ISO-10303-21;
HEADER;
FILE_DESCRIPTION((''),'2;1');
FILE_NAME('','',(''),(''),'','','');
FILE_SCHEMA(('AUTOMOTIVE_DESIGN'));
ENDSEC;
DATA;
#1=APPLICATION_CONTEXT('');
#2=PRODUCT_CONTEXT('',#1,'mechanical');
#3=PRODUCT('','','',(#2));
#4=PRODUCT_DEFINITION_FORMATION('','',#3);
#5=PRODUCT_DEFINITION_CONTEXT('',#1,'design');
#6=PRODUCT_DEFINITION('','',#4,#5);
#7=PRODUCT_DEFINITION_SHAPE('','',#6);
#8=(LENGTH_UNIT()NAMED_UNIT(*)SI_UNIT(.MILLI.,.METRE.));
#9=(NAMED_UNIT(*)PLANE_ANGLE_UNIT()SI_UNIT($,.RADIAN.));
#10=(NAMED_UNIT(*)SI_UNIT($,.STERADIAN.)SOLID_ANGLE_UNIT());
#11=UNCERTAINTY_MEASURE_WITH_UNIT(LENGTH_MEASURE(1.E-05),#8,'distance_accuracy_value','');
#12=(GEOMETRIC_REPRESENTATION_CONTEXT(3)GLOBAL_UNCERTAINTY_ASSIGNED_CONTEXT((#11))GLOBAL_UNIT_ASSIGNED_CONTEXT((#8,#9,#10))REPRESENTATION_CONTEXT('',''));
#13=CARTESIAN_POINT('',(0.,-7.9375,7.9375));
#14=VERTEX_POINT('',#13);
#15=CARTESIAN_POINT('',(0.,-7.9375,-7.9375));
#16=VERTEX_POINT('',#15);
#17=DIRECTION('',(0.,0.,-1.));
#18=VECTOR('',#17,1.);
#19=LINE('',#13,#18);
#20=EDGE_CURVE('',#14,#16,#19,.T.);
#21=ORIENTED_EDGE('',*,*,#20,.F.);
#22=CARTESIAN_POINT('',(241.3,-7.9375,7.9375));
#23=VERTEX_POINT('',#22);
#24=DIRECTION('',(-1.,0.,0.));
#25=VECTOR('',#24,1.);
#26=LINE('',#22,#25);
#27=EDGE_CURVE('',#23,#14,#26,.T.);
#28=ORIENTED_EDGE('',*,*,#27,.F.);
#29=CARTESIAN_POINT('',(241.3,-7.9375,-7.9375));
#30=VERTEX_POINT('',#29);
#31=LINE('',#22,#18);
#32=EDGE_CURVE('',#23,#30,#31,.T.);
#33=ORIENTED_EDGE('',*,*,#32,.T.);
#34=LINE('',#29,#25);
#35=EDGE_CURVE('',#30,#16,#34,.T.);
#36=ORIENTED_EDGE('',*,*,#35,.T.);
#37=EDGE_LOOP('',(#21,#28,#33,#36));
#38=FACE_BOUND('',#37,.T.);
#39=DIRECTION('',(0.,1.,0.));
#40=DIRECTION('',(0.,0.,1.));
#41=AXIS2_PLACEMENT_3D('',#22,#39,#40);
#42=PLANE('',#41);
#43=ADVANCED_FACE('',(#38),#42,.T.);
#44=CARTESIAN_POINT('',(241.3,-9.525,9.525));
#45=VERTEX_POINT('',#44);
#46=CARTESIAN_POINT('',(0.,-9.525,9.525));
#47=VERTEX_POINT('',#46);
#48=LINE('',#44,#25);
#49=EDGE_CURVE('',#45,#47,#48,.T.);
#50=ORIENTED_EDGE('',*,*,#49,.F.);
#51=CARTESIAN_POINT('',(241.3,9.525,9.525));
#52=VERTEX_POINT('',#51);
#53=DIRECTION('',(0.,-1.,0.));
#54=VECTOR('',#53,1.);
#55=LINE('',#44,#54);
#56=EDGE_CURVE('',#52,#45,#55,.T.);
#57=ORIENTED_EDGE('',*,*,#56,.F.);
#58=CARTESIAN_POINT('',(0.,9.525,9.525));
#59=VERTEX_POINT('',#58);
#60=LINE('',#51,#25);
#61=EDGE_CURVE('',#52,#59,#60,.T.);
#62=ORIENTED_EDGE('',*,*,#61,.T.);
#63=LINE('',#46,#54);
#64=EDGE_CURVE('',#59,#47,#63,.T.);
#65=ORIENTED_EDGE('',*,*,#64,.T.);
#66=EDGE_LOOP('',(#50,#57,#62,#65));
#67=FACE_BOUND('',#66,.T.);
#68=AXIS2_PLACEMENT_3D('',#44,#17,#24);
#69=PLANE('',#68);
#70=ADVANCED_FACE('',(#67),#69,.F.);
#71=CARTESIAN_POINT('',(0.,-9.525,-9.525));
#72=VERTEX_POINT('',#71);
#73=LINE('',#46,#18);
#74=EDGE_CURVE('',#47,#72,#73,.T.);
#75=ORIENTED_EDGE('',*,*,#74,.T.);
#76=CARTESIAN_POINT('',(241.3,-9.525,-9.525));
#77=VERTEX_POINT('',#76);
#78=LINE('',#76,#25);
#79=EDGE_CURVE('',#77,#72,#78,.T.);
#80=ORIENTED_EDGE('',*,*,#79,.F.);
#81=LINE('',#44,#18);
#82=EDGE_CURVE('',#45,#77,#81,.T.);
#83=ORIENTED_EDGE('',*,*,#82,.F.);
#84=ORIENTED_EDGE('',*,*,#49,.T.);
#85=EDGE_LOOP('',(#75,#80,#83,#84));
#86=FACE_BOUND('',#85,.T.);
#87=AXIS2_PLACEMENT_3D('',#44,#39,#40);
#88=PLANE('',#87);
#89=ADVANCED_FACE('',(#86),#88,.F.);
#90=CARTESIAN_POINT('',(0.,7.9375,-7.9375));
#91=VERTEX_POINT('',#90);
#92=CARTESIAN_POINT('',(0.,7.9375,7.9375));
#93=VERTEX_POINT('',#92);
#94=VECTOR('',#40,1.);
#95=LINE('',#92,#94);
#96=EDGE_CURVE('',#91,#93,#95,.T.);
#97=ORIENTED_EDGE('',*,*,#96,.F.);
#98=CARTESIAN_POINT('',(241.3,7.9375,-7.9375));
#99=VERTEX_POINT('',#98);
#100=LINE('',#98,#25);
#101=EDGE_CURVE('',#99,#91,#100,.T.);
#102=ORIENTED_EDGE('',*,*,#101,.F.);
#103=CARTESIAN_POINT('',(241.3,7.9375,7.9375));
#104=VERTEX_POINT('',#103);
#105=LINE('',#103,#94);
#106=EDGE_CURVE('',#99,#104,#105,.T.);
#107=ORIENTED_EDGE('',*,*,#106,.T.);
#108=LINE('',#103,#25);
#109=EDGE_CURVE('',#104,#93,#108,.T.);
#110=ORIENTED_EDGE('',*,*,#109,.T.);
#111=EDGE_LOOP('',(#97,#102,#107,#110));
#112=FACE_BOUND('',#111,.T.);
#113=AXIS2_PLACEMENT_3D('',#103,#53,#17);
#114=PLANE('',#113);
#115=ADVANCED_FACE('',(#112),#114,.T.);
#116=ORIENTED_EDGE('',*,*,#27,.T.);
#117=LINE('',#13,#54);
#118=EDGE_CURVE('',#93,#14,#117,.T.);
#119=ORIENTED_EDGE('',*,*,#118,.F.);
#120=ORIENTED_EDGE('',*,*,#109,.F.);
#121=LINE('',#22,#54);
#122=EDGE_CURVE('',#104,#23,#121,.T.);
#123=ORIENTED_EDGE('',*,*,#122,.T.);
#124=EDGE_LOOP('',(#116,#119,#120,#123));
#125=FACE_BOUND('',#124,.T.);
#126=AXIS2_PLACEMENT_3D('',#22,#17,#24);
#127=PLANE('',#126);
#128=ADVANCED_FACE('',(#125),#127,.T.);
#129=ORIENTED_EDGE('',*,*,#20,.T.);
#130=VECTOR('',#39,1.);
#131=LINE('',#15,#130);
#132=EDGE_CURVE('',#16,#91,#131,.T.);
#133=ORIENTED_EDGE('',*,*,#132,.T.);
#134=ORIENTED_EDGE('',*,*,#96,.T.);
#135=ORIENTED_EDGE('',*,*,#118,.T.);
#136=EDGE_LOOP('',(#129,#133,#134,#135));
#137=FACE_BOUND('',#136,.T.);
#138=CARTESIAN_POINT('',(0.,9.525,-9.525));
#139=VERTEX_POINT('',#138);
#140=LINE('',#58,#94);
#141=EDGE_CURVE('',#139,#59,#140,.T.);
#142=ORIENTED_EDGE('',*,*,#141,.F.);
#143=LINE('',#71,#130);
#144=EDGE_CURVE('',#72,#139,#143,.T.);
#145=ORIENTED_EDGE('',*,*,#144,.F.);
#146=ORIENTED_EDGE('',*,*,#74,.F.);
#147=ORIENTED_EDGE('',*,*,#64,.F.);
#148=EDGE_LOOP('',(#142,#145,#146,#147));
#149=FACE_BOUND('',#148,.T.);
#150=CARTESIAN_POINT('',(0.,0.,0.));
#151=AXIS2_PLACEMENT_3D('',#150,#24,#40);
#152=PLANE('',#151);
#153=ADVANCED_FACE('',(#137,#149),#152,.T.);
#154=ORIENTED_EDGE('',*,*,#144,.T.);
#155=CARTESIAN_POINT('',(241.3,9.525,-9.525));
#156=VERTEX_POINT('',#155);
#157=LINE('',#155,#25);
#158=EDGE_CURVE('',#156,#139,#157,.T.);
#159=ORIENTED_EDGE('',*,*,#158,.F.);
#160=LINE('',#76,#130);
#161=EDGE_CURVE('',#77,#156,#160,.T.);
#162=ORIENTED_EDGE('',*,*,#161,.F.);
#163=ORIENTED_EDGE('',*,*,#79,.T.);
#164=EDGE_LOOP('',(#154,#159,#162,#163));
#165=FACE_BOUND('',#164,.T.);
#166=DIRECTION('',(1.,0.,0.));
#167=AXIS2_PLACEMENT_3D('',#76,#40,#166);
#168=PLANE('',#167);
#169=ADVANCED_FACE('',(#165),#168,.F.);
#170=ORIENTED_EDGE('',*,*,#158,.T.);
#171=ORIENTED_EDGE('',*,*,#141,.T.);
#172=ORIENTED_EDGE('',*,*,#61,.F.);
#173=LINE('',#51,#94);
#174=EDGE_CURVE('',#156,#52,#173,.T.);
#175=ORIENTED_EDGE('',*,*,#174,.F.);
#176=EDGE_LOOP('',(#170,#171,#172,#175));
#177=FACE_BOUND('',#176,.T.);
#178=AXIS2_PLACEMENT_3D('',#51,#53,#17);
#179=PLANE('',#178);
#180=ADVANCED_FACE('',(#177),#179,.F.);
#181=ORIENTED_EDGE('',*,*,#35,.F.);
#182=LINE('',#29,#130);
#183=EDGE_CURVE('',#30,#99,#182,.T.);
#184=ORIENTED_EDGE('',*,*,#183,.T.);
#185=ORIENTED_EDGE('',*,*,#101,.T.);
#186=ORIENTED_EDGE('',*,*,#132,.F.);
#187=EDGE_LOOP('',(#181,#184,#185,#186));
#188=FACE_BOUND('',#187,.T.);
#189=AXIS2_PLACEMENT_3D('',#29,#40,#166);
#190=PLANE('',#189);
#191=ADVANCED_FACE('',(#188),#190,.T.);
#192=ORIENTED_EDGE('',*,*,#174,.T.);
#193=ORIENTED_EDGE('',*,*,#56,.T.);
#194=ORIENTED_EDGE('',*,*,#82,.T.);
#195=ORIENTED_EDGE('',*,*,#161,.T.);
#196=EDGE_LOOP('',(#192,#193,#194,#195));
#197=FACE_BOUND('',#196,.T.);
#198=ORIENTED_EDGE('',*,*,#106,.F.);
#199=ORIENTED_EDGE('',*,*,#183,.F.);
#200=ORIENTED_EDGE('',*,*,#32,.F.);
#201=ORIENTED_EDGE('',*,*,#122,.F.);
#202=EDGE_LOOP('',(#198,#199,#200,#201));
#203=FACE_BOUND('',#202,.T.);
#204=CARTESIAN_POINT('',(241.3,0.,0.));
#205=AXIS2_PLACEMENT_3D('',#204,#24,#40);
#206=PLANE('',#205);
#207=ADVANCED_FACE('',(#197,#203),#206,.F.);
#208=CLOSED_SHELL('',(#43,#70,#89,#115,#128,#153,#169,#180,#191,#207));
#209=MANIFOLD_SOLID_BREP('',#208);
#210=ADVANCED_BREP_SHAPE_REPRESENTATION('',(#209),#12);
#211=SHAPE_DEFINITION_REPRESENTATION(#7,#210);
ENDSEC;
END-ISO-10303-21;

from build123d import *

# Parameters (mm, degrees)
SKETCH1_W           = 19.05
SKETCH1_H           = 19.05
SKETCH1_W_2         = 15.875
SKETCH1_H_2         = 15.875
BOSS_EXTRUDE1_DEPTH = 241.3


with BuildPart() as part:
    # Sketch1 → Boss-Extrude1 (new body)
    with BuildSketch(Plane(origin=(0, 0, 0), x_dir=(0, 0, -1), z_dir=(1, 0, 0))):
        Rectangle(SKETCH1_W, SKETCH1_H)
        Rectangle(SKETCH1_W_2, SKETCH1_H_2, mode=Mode.SUBTRACT)
    extrude(amount=BOSS_EXTRUDE1_DEPTH)


solid = part.part
